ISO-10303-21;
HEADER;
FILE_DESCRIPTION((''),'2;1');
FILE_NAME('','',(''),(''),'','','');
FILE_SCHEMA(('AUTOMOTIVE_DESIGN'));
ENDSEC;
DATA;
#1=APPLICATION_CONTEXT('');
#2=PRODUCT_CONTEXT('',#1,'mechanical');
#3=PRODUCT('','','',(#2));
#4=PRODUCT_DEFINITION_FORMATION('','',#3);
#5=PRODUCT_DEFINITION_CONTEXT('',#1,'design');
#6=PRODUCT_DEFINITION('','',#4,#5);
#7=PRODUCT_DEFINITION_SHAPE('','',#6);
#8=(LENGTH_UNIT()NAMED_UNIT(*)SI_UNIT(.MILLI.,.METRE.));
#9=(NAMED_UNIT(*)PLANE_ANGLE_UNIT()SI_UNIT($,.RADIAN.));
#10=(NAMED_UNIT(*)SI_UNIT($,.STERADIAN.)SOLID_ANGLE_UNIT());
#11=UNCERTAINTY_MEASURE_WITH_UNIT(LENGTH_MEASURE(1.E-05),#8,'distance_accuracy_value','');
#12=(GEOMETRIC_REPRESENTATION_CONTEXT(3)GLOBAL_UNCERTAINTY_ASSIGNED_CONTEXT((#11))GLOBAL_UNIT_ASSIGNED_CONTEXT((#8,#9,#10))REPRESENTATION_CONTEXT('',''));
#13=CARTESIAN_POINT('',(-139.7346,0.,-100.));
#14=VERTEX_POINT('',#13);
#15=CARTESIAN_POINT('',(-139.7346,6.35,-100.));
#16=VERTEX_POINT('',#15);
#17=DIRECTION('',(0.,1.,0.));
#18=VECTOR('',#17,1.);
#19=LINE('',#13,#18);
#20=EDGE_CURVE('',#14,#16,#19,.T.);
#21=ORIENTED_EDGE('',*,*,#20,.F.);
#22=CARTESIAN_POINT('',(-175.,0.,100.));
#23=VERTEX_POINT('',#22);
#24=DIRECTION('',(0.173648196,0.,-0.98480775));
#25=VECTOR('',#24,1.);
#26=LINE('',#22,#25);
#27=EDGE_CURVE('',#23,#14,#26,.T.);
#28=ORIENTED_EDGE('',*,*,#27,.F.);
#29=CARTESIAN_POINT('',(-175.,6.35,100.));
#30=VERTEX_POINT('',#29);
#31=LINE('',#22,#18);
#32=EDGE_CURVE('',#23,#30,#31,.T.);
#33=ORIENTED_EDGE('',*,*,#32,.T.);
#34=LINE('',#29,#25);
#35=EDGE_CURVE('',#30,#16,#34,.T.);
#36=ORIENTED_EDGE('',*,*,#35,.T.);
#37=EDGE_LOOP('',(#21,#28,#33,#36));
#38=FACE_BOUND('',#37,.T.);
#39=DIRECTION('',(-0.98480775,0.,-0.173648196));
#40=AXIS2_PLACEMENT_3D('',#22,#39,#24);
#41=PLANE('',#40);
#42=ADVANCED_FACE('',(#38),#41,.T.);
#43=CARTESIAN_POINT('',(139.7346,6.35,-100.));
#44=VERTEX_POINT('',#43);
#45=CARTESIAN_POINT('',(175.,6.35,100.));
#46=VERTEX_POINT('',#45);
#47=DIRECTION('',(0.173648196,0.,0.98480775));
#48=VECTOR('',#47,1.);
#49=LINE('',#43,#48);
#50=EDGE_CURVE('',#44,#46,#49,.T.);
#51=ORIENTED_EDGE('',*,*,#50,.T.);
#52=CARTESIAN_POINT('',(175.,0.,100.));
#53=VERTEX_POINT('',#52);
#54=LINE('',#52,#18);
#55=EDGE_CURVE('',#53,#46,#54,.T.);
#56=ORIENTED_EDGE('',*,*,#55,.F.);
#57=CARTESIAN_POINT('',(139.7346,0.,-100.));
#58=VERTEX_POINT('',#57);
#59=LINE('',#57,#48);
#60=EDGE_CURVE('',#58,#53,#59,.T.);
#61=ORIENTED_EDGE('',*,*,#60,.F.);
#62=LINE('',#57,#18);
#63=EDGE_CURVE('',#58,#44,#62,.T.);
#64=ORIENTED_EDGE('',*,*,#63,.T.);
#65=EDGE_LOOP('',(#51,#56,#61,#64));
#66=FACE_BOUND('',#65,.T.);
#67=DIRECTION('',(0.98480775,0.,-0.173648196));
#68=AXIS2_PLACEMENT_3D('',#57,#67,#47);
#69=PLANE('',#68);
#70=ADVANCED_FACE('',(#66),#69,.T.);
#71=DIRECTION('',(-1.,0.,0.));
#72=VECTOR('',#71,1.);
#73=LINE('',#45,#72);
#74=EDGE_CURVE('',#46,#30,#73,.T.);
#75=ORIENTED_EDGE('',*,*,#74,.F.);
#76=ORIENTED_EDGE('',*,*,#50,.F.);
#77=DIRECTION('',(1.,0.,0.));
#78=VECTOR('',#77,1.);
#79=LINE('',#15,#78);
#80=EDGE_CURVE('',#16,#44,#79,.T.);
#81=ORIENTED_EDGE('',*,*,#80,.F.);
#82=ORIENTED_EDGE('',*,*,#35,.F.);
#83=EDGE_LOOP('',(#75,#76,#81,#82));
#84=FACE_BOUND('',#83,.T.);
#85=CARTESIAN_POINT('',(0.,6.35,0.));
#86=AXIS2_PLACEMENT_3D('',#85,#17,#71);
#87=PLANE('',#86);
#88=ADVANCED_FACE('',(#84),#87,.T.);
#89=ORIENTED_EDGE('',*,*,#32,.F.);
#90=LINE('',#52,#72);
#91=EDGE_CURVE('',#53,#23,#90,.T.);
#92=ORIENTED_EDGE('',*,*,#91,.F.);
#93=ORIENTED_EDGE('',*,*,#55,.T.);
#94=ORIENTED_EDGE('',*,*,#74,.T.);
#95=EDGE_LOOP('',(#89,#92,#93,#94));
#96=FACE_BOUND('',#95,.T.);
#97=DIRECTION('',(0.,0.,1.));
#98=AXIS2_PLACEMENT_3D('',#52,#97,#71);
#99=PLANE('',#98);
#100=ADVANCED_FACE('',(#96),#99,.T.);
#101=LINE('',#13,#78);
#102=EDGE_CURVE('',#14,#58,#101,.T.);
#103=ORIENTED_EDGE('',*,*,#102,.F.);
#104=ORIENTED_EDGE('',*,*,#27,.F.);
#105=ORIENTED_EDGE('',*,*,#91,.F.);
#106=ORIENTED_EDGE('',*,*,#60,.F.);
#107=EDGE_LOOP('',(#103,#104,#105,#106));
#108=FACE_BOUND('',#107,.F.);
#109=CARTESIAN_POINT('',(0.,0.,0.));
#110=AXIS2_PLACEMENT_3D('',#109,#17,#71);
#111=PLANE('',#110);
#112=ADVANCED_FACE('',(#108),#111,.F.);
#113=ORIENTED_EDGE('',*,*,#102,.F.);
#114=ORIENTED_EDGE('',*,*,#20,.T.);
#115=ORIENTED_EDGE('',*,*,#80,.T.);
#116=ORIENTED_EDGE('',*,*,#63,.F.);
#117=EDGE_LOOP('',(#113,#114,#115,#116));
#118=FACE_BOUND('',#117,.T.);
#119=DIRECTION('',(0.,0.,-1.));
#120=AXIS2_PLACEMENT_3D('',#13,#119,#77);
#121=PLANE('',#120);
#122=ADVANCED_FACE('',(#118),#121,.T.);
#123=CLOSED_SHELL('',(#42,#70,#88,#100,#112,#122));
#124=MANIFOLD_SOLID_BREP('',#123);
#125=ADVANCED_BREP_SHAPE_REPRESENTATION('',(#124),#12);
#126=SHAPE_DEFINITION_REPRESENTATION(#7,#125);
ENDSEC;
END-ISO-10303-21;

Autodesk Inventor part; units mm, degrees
ref_plane "YZ Plane" through (0, 0, 0) normal (1, 0, 0) x (0, 1, 0)
ref_plane "XZ Plane" through (0, 0, 0) normal (0, 1, 0) x (-1, 0, 0)
ref_plane "XY Plane" through (0, 0, 0) normal (0, 0, 1) x (1, 0, 0)
sketch "Sketch1" plane through (0, 0, 0) normal (0, 1, 0) x (-1, 0, 0)
  line L0 (139.7346, -100) -> (-139.7346, -100)
  line L1 (-139.7346, -100) -> (-175, 100)
  line L2 (-175, 100) -> (175, 100)
  line L3 (175, 100) -> (139.7346, -100)
  point P0 (0, 0)
  point P1 (0, -100)
  point P2 (157.3673, 0)
  dimension "d0" = 80
  dimension "d1" = 80
  dimension "d2" = 350
  dimension "d4" = 200
extrude "Extrusion1" add sketch "Sketch1" along normal blind 6.35
properties part number "Panel_bottom"
